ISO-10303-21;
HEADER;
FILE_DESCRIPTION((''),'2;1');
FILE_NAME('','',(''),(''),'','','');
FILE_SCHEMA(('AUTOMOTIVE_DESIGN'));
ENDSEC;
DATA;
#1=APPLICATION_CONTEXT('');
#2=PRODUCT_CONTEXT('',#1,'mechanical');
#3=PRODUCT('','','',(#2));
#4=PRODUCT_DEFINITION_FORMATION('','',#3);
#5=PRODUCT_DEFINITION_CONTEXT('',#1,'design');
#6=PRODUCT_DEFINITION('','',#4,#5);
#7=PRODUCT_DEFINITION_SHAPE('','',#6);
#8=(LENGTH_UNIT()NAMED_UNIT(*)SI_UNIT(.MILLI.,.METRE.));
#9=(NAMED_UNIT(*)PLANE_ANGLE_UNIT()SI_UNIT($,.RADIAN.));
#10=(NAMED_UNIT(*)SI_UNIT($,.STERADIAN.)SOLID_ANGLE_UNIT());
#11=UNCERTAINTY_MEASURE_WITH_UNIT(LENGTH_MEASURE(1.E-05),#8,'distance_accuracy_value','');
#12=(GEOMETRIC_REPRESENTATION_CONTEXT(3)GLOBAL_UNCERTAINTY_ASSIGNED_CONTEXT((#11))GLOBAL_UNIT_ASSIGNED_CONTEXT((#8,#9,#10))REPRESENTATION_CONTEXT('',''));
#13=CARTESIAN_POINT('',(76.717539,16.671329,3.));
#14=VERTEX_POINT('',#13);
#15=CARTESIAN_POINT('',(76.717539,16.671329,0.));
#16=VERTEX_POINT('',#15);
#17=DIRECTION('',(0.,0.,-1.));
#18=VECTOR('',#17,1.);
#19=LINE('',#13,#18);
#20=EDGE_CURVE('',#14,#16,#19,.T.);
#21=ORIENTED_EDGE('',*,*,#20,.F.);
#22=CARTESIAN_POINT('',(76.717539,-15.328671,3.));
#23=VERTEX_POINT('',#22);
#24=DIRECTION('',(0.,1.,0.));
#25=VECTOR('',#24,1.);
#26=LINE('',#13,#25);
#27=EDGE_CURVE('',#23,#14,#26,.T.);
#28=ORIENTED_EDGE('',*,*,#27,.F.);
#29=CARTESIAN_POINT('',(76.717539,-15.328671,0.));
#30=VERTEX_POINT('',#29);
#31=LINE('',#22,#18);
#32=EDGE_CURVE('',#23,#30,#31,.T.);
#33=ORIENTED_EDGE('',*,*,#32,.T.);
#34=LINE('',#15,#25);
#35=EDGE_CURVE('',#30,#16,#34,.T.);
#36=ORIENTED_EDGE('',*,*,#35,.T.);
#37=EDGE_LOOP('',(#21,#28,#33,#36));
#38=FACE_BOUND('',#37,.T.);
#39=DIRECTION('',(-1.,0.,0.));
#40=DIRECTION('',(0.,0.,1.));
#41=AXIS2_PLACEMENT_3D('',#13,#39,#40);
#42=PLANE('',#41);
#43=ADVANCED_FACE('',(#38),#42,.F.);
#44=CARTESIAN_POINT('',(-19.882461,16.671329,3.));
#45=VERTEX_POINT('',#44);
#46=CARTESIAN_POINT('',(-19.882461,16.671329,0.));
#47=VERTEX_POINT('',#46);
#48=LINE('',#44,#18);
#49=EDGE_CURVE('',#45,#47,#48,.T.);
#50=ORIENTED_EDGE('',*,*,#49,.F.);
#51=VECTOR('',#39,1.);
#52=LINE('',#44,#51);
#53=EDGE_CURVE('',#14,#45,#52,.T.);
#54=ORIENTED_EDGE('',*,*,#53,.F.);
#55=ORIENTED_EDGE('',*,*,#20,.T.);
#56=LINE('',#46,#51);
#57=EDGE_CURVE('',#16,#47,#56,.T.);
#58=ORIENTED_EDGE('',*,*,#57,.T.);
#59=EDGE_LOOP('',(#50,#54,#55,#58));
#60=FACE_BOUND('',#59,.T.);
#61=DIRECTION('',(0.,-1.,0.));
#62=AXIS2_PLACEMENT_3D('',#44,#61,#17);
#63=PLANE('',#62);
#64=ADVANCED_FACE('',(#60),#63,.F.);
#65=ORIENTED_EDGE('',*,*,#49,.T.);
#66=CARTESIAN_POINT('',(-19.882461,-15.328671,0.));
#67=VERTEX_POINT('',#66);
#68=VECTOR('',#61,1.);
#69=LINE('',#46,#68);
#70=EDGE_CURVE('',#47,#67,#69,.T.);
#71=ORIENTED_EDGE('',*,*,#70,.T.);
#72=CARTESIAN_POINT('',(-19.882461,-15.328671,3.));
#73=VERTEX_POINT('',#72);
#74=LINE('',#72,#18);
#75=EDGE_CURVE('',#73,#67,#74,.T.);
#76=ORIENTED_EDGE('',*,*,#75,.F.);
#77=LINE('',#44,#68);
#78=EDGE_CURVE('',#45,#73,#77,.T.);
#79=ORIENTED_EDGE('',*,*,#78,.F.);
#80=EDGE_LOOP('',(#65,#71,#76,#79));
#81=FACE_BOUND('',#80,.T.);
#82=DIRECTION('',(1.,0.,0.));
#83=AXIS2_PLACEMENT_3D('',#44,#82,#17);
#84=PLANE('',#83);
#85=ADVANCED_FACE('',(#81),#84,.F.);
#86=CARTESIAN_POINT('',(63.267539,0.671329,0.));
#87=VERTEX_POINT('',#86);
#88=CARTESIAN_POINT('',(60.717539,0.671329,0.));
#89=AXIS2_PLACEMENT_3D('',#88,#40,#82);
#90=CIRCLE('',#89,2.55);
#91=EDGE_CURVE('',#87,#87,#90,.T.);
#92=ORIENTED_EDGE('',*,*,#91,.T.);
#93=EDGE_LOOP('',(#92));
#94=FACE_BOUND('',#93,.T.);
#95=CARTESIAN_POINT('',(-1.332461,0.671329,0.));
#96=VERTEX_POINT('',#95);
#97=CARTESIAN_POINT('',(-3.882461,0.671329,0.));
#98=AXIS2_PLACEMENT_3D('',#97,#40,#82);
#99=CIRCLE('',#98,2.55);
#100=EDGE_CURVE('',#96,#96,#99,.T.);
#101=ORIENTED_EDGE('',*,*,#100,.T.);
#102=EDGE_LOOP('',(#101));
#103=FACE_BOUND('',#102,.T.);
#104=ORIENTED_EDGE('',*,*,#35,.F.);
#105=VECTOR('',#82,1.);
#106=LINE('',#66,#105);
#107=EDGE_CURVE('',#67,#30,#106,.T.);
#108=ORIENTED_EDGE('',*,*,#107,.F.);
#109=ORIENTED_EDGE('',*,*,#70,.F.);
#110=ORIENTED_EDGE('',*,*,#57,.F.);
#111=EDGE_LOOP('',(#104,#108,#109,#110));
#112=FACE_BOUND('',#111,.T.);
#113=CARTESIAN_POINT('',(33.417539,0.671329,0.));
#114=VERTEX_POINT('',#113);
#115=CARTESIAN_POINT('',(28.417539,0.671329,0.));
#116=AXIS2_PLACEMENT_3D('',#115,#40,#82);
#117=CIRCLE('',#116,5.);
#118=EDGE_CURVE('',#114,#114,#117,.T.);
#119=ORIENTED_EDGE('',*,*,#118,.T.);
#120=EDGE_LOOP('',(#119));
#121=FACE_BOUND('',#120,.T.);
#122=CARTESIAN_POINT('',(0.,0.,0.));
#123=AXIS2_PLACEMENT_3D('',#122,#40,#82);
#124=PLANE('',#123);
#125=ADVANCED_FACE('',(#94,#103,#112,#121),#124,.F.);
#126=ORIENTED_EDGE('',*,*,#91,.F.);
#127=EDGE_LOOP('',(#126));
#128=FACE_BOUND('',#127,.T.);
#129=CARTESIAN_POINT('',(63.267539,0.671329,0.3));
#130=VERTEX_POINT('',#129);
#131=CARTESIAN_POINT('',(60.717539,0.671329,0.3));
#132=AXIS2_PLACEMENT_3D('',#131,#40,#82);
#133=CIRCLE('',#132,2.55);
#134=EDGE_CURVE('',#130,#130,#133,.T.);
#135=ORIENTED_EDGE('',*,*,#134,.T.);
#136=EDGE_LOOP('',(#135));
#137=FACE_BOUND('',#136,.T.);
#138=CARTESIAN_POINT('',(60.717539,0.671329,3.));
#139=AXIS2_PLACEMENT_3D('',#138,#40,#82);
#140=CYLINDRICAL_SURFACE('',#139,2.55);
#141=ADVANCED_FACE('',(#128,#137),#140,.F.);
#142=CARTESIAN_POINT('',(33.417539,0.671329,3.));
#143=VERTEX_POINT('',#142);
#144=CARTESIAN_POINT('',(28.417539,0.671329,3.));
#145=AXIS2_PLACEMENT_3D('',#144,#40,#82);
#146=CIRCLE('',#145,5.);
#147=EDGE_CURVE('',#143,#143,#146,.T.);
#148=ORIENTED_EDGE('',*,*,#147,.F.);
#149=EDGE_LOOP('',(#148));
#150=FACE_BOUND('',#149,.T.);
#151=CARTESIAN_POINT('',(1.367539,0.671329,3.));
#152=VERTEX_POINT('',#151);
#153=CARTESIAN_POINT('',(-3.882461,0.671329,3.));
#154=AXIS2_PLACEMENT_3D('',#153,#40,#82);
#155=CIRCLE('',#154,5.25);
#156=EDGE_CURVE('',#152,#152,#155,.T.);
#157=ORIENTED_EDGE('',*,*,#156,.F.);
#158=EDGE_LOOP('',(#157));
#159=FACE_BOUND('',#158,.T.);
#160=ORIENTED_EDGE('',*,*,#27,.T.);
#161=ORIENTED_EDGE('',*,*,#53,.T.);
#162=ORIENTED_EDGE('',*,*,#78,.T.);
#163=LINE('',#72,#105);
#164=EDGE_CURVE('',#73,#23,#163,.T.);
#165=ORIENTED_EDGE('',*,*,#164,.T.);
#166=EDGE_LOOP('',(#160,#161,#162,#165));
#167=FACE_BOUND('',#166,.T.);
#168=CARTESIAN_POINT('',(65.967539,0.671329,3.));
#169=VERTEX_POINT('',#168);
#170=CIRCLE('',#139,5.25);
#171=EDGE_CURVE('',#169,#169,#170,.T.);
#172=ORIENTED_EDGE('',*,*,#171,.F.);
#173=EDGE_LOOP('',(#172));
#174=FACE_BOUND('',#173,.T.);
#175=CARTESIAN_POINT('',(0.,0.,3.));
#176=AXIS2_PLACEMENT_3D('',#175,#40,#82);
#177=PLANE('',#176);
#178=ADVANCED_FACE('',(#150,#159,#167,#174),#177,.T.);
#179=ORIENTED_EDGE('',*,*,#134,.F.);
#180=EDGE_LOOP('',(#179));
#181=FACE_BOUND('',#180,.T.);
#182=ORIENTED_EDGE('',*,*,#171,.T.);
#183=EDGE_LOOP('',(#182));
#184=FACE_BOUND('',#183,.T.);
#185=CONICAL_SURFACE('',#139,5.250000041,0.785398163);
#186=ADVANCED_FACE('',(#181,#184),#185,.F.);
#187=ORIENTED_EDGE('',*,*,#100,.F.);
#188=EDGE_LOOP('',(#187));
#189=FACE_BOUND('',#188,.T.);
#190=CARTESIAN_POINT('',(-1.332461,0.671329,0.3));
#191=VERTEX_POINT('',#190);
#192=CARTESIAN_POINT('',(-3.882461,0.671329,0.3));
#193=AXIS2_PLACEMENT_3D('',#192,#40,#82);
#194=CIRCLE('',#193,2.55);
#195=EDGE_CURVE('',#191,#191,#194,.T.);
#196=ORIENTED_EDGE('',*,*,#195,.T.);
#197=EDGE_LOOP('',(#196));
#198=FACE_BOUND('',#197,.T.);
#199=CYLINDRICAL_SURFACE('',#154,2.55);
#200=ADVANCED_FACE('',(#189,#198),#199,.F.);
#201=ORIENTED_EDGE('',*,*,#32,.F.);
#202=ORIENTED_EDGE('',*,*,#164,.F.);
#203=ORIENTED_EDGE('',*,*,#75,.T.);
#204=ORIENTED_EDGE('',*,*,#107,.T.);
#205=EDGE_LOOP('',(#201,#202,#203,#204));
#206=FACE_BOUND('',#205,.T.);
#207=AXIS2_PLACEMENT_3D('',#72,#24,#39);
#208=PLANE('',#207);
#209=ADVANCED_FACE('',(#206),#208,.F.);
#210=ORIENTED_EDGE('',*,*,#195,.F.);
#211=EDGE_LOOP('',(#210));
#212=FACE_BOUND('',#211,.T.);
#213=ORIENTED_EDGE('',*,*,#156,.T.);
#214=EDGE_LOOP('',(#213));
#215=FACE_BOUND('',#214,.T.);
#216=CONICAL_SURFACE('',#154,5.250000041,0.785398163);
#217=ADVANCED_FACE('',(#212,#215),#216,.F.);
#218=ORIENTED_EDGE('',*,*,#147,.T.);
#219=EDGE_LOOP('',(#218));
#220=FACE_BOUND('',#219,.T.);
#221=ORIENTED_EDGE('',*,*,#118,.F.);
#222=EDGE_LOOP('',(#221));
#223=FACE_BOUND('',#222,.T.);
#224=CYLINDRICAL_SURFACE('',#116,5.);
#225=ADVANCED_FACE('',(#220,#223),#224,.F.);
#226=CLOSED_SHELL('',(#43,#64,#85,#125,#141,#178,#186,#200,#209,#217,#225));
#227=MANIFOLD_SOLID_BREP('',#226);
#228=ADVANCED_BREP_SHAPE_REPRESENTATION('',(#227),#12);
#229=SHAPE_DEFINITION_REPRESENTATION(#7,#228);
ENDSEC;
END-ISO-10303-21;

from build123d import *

# Parameters (mm, degrees)
SKETCH1_W                                  = 96.6
SKETCH1_H                                  = 32
BOSS_EXTRUDE1_DEPTH                        = 3
SKETCH2_R                                  = 5
CUT_EXTRUDE1_DEPTH                         = 79.565348097
FRAISAGE_POUR_VIS_T_TE_FRAIS_E_BOM_2_COUNT = 2
FRAISAGE_POUR_VIS_T_TE_FRAIS_E_BOM_2_PITCH = 64.6


with BuildPart() as part:
    # Sketch1 → Boss-Extrude1 (new body)
    with BuildSketch(Plane.XY):
        with Locations((28.417538555, 0.671328671)):
            Rectangle(SKETCH1_W, SKETCH1_H)
    extrude(amount=BOSS_EXTRUDE1_DEPTH)

    # Sketch2 → Cut-Extrude1 (cut, through all)
    with BuildSketch(Plane.XY.offset(3)):
        with Locations((28.417538555, 0.671328671)):
            Circle(SKETCH2_R)
    extrude(amount=-CUT_EXTRUDE1_DEPTH, mode=Mode.SUBTRACT)

    # Esquisse3 → Fraisage pour vis à tête fraisée bombée #51 (revolve, cut)
    with BuildSketch(Plane(origin=(-3.882461445, 0.671328671, 3), x_dir=(0, -1, 0), z_dir=(1, 0, 0))):
        Polygon((0, 0), (0, 3), (2.54999998, 3), (2.54999998, 2.700000061), (5.250000041, 0), align=None)
    fraisage_pour_vis_t_te_frais_e_bomb_e = revolve(axis=Axis((-3.882461445, 0.671328671, 9.35), (0, 0, -1)), mode=Mode.SUBTRACT)

    # Fraisage pour vis _ t_te frais_e bom 2: Fraisage pour vis à tête fraisée bombée #51 ×2
    with Locations(*[(i * FRAISAGE_POUR_VIS_T_TE_FRAIS_E_BOM_2_PITCH, 0, 0) for i in range(1, FRAISAGE_POUR_VIS_T_TE_FRAIS_E_BOM_2_COUNT)]):
        add(fraisage_pour_vis_t_te_frais_e_bomb_e, mode=Mode.SUBTRACT)


solid = part.part
